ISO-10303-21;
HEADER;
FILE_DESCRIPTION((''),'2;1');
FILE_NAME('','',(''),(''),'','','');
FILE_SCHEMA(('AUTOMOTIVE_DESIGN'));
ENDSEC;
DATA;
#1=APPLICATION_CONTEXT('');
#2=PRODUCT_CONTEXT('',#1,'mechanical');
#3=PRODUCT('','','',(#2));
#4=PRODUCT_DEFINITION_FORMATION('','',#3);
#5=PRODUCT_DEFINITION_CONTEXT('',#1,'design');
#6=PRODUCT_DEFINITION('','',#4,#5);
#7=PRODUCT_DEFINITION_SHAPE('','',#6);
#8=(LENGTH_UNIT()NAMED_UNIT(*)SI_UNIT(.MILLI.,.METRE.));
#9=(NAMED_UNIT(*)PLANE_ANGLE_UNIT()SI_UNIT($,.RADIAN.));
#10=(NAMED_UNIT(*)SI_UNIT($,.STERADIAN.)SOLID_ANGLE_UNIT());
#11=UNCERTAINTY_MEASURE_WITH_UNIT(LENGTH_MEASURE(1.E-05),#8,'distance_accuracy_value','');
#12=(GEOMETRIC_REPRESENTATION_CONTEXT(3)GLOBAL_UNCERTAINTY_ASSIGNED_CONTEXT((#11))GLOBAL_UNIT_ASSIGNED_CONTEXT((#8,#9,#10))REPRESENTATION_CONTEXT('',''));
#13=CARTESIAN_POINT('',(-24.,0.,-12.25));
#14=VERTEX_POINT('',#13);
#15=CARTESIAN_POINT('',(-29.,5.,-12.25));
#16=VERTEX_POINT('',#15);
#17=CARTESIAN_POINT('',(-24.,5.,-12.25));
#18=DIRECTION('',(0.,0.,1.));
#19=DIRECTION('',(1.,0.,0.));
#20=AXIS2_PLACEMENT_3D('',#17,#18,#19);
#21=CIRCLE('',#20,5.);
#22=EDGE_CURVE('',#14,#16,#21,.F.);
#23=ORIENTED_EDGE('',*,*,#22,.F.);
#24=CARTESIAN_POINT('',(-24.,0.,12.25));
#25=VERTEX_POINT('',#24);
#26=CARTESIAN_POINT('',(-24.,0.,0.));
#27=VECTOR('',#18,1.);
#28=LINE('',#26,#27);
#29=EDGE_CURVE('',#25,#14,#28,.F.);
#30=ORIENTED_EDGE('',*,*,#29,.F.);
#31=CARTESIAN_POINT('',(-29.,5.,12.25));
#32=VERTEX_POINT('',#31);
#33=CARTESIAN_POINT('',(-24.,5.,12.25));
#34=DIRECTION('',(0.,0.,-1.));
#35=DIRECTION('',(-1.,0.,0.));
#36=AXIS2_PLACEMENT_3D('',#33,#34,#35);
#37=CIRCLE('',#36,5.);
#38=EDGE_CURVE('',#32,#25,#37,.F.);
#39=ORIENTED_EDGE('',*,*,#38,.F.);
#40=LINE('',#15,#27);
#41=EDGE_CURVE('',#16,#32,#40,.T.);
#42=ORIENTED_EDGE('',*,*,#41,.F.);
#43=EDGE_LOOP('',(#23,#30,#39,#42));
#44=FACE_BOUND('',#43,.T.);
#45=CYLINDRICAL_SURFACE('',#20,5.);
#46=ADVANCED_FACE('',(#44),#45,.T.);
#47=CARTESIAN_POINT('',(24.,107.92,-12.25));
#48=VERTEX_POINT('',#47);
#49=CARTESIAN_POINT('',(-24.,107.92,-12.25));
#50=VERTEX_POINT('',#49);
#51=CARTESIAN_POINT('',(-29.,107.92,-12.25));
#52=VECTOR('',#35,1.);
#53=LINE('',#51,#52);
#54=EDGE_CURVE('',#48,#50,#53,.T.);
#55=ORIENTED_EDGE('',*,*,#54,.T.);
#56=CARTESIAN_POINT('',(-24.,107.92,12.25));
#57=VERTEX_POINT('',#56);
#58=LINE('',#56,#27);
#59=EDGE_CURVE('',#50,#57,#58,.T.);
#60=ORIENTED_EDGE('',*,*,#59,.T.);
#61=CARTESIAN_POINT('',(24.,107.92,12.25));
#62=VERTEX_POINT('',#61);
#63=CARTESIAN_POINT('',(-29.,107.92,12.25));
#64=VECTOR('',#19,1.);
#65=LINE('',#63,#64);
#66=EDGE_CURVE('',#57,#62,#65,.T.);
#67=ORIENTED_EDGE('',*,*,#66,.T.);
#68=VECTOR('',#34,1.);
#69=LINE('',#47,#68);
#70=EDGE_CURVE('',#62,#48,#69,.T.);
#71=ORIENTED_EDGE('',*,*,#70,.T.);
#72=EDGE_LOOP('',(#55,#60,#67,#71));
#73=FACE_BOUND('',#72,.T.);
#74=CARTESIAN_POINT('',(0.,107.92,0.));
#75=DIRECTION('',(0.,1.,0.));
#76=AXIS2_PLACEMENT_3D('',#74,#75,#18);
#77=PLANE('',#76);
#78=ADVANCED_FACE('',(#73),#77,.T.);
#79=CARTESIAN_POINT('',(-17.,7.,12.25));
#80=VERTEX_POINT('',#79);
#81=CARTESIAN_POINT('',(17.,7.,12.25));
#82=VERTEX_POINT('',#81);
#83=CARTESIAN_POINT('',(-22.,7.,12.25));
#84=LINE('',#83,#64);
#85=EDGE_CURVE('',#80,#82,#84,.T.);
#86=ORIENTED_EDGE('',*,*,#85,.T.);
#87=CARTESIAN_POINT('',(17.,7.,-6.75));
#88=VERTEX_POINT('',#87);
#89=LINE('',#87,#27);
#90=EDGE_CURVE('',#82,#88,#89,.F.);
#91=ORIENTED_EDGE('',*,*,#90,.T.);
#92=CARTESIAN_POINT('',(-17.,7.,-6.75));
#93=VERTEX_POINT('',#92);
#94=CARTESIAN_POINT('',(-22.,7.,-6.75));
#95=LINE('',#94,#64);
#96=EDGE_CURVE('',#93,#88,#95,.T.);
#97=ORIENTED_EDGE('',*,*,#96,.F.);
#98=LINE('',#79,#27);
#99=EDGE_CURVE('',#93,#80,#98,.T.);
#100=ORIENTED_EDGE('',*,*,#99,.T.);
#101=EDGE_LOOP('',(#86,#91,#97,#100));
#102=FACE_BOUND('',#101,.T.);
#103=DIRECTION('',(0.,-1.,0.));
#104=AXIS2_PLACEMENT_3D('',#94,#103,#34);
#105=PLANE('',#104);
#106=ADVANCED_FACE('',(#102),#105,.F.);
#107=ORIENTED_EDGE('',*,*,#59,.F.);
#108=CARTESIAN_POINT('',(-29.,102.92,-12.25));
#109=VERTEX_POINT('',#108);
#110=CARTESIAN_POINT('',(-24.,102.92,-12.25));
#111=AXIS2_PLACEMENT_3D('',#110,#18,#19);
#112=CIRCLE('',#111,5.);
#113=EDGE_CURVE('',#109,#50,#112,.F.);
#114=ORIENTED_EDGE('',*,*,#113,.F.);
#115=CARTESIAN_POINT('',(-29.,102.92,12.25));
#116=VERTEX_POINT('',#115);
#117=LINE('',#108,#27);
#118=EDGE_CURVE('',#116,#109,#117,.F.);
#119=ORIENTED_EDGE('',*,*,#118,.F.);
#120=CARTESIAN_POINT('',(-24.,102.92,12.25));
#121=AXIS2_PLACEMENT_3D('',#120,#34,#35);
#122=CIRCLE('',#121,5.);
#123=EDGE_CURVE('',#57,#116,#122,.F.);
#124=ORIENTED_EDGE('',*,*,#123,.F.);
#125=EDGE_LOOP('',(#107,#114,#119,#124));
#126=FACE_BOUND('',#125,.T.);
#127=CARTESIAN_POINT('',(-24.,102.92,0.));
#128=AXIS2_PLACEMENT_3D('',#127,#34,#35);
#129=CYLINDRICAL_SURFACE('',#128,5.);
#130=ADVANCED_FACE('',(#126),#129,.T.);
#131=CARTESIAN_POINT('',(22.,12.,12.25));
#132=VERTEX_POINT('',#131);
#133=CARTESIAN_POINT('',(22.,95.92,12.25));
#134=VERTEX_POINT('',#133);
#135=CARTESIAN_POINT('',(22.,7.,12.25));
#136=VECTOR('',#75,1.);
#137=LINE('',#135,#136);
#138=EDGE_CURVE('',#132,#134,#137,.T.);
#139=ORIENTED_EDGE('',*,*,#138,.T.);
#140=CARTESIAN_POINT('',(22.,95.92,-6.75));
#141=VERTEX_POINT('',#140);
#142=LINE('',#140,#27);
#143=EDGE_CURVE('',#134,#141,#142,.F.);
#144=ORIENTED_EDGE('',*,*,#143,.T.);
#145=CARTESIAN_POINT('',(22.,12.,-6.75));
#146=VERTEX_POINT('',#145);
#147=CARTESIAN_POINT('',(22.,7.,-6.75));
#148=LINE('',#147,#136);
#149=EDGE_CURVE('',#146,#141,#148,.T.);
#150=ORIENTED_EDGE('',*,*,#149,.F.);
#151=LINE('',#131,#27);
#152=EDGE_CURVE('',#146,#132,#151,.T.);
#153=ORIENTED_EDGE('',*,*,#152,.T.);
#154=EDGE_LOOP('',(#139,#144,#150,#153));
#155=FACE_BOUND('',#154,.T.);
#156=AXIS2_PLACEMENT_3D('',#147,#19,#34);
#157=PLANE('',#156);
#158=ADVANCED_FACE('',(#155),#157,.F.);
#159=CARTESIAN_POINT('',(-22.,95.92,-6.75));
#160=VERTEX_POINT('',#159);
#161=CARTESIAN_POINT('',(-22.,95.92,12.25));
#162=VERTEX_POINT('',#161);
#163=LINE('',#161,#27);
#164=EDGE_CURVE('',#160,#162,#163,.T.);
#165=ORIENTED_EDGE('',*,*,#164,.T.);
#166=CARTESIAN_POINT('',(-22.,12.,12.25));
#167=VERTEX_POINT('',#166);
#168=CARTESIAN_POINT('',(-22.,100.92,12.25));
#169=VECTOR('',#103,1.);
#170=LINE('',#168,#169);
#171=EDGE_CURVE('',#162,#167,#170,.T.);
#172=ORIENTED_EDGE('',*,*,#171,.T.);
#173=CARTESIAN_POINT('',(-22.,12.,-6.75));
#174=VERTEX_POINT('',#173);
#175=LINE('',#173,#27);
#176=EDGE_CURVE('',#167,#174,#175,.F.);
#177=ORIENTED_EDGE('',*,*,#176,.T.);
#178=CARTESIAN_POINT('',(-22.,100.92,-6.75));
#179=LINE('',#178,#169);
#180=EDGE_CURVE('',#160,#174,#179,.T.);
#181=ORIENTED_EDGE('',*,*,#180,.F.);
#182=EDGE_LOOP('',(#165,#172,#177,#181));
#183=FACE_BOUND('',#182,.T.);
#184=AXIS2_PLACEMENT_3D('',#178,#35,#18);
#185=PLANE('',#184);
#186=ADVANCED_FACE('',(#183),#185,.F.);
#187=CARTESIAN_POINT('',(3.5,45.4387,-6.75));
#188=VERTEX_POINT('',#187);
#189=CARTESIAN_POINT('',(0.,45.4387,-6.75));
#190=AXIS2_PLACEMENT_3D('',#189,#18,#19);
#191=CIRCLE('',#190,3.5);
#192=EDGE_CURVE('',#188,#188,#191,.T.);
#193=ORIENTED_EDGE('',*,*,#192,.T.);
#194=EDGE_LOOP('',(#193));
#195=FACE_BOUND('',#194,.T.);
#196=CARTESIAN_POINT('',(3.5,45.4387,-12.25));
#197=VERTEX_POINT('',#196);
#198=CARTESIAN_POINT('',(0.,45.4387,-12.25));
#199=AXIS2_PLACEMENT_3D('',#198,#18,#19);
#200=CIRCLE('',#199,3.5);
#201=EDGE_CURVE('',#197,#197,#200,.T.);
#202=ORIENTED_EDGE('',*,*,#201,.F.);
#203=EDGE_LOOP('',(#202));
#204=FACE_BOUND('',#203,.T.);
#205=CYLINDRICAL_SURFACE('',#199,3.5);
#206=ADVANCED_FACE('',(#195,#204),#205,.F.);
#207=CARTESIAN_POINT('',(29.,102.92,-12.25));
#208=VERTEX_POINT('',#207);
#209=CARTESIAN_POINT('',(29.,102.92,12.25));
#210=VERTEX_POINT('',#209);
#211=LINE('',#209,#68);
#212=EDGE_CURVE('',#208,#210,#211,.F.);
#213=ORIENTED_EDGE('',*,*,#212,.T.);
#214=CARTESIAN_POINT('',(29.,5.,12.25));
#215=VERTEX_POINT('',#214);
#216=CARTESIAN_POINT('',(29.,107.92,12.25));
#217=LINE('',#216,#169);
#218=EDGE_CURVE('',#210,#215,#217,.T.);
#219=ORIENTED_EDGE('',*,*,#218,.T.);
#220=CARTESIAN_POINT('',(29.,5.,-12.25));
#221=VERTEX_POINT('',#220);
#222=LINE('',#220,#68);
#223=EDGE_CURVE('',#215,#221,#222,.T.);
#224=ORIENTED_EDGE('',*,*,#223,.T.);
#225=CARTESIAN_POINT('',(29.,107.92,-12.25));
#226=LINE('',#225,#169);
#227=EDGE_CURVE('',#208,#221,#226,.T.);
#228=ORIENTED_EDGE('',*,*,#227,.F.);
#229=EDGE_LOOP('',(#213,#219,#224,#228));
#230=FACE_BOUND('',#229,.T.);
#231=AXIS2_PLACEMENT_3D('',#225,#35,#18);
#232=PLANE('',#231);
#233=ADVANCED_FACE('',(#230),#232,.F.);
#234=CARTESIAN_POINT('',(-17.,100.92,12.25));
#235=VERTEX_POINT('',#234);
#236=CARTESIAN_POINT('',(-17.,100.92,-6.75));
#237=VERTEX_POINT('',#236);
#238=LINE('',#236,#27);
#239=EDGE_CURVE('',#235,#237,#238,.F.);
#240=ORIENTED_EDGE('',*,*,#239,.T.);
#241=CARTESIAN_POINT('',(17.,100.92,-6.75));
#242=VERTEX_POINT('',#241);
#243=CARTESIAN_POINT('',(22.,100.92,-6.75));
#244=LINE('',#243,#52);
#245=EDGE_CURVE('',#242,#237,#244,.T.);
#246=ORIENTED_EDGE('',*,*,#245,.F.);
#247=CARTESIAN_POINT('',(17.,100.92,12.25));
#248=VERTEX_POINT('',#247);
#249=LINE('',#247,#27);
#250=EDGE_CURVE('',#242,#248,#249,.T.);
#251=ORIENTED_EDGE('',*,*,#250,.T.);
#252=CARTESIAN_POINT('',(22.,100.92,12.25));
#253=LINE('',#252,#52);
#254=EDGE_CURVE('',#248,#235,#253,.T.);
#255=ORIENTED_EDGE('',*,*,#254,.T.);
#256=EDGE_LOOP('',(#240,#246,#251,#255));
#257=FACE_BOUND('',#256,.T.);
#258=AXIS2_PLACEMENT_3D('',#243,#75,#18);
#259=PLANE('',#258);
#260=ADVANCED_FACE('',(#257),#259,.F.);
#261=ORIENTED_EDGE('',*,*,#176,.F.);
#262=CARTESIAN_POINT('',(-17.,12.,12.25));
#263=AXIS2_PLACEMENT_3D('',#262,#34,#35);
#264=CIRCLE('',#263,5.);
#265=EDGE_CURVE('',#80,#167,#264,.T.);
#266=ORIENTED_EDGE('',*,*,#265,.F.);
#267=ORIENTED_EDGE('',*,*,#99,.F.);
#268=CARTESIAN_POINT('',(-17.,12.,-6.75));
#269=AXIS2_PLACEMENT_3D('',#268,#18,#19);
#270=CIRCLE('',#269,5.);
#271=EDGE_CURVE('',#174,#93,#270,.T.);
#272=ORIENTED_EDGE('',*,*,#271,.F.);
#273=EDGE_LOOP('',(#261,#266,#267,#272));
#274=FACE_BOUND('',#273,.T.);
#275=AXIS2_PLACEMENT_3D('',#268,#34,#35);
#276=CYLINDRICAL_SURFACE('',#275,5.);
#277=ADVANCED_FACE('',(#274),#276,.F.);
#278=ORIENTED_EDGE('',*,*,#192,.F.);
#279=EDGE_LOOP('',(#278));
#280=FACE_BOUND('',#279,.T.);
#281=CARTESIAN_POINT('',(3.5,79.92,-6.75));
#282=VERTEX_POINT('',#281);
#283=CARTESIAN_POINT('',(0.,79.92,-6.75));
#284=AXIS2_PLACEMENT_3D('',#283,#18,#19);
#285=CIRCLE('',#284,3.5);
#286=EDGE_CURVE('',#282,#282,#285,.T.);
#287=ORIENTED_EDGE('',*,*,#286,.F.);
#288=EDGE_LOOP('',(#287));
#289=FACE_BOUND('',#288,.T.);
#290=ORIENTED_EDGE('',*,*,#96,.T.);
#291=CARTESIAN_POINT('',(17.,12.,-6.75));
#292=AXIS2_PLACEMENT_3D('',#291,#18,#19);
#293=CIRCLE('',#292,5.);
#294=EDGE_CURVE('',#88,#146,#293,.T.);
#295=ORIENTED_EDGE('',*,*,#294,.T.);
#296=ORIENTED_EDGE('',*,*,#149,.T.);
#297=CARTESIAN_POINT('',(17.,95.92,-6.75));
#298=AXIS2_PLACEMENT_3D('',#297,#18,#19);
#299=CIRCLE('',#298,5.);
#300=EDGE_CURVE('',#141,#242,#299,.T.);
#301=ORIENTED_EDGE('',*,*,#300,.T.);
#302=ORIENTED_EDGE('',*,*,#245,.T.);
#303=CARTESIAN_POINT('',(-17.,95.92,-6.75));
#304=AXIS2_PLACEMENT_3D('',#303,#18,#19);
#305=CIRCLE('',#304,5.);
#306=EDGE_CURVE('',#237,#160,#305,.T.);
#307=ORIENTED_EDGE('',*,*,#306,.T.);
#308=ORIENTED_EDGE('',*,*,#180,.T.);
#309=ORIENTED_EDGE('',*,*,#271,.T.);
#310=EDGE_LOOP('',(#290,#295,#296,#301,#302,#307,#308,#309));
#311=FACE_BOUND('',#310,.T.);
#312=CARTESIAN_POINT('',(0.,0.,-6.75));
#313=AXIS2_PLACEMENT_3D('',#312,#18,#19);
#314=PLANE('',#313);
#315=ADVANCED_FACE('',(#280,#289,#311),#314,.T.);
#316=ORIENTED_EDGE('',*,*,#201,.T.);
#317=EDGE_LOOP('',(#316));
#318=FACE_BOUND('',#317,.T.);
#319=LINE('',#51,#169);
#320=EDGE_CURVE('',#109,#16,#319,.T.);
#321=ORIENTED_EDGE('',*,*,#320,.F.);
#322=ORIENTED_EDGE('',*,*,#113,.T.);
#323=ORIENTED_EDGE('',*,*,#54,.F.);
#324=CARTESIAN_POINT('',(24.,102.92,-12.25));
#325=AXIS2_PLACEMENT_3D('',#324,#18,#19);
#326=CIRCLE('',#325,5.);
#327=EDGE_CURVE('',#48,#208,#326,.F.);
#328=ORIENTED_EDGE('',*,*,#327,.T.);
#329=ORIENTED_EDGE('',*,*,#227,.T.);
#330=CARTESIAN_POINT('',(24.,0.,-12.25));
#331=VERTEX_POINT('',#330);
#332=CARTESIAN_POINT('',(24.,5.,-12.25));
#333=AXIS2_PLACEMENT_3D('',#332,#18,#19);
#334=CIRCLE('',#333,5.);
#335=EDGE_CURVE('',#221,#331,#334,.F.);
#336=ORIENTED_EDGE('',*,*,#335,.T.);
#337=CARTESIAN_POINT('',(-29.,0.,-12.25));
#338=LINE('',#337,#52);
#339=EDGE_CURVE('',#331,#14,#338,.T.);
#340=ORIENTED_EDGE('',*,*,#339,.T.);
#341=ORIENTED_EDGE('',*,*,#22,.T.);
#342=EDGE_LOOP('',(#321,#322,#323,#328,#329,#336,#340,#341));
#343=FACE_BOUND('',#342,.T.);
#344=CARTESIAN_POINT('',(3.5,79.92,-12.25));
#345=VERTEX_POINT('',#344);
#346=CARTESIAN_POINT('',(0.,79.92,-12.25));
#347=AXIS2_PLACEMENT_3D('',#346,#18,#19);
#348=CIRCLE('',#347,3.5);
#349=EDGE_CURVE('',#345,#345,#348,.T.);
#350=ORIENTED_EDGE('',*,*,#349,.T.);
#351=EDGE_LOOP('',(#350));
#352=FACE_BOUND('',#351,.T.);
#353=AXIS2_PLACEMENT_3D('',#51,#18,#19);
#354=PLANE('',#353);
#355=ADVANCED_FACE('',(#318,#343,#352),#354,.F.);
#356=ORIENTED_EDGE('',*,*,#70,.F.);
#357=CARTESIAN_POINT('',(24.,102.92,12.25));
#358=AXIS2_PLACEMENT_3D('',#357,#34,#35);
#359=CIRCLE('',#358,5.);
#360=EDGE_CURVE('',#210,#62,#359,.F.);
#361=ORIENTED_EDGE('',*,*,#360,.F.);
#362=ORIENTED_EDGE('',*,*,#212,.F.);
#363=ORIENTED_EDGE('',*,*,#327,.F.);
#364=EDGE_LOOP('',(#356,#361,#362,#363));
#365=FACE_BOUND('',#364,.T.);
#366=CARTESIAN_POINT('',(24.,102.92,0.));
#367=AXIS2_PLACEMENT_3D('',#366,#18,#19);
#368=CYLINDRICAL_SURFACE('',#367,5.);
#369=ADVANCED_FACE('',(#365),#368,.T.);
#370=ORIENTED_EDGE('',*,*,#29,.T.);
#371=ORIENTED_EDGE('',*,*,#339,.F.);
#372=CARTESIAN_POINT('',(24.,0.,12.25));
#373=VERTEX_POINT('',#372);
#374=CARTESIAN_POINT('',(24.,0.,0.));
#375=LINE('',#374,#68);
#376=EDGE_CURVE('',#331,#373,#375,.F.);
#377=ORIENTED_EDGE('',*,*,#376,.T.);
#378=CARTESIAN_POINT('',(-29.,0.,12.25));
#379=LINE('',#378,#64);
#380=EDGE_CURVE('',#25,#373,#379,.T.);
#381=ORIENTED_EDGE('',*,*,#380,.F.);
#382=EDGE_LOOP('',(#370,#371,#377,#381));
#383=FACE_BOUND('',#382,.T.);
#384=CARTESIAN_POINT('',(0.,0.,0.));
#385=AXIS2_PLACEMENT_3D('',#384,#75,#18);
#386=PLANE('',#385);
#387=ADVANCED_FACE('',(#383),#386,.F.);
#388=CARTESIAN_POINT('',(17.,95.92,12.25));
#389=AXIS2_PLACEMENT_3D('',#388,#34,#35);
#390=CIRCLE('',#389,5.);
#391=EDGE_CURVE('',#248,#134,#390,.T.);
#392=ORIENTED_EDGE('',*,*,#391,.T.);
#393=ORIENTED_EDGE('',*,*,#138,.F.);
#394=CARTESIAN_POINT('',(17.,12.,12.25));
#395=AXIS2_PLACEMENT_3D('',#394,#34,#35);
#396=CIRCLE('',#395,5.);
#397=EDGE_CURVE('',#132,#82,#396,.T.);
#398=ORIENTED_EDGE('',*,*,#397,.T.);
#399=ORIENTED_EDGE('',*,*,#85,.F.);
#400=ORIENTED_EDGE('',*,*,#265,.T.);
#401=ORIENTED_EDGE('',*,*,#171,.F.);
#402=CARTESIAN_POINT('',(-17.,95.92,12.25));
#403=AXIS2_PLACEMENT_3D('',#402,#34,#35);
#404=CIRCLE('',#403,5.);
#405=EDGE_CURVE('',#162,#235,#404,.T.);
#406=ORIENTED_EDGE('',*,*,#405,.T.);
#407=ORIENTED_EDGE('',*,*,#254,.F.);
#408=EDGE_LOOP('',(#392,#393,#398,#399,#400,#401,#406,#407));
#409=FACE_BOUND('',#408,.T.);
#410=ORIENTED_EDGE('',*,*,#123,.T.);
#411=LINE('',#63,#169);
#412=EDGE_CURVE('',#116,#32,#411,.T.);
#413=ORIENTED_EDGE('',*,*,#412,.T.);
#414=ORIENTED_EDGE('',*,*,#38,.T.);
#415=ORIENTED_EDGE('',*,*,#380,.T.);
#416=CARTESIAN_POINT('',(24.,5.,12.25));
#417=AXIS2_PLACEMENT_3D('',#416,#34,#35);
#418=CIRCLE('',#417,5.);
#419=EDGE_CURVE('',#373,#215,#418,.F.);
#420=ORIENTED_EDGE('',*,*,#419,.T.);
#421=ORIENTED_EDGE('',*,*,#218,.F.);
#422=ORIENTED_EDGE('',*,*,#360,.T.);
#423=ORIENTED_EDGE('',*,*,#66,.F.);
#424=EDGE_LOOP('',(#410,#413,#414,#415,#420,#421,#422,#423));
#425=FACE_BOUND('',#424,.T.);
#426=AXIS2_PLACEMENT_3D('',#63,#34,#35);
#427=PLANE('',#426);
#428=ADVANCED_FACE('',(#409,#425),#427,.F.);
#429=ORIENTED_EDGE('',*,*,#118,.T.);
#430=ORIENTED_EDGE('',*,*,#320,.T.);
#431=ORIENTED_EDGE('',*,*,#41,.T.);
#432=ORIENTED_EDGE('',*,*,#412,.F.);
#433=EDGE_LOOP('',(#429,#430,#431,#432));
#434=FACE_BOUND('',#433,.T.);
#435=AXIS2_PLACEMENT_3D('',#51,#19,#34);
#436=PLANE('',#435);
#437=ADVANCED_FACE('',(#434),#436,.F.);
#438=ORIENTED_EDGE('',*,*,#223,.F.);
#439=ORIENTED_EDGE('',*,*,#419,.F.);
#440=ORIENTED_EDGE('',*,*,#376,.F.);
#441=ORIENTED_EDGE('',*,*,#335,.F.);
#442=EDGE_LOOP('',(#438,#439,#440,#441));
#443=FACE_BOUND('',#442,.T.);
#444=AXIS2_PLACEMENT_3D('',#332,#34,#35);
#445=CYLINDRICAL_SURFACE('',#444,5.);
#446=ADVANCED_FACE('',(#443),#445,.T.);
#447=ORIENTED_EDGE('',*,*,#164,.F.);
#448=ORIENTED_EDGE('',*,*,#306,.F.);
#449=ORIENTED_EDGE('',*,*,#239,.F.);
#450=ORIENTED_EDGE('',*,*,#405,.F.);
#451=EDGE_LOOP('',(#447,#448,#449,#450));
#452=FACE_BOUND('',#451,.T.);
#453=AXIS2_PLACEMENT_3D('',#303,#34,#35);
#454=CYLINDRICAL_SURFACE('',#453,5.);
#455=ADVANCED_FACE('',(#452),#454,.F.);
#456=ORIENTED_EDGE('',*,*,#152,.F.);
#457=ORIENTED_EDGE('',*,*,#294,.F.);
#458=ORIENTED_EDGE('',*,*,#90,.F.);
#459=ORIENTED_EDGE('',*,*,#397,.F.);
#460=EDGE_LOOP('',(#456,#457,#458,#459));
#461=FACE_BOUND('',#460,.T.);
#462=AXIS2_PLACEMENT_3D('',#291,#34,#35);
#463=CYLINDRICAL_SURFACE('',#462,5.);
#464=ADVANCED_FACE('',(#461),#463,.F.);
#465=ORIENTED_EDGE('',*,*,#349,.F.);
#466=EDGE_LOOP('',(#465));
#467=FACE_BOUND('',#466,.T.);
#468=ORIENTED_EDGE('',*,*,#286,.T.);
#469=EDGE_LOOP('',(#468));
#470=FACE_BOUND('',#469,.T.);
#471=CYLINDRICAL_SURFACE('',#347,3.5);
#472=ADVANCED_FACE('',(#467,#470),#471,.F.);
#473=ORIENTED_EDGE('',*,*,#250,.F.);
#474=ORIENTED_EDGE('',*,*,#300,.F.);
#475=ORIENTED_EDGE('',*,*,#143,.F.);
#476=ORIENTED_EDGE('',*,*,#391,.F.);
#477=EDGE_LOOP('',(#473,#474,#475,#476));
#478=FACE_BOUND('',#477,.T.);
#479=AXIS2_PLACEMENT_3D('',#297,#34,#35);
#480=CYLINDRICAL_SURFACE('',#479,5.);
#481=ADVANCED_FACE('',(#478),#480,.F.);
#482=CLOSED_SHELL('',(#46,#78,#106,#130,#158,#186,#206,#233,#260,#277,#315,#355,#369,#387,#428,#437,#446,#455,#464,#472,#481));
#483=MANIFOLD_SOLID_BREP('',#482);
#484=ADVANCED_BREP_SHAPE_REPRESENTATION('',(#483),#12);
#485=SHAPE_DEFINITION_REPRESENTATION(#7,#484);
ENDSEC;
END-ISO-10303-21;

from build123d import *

# Parameters (mm, degrees)
ESBO_O1_W                  = 58
ESBO_O1_H                  = 24.5
RESSALTO_EXTRUS_O1_DEPTH   = 107.92
FILETE1_R                  = 5
ESBO_O2_W                  = 44
ESBO_O2_H                  = 93.92
CORTE_EXTRUS_O1_DEPTH      = 19
FILETE2_R                  = 5
ESBO_O3_R                  = 3.5
CORTE_EXTRUS_O2_DEPTH      = 20
CORTE_EXTRUS_O2_DEPTH_BACK = 6.5


with BuildPart() as part:
    # Esboço1 → Ressalto-extrusão1 (new body)
    with BuildSketch(Plane(origin=(0, 0, 0), x_dir=(1, 0, 0), z_dir=(0, 1, 0))):
        Rectangle(ESBO_O1_W, ESBO_O1_H)
    extrude(amount=RESSALTO_EXTRUS_O1_DEPTH)

    # Filete1
    filete1_edges = [part.edges().sort_by_distance(p)[0] for p in [
        (29, 107.92, 0),
        (-29, 107.92, 0),
        (29, 0, 0),
        (-29, 0, 0),
    ]]
    fillet(filete1_edges, radius=FILETE1_R)

    # Esboço2 → Corte-extrusão1 (cut)
    with BuildSketch(Plane.XY.offset(12.25)):
        with Locations((0, 53.96)):
            Rectangle(ESBO_O2_W, ESBO_O2_H)
    extrude(amount=-CORTE_EXTRUS_O1_DEPTH, mode=Mode.SUBTRACT)

    # Filete2
    filete2_edges = [part.edges().sort_by_distance(p)[0] for p in [
        (-22, 7, 2.75),
        (-22, 100.92, 2.75),
        (22, 100.92, 2.75),
        (22, 7, 2.75),
    ]]
    fillet(filete2_edges, radius=FILETE2_R)

    # Esboço3 → Corte-extrusão2 (cut, two sides)
    with BuildSketch(Plane.XY.offset(-6.75)) as corte_extrus_o2_sk:
        with Locations((0, 79.92)):
            Circle(ESBO_O3_R)
        with Locations((0, 45.4387)):
            Circle(ESBO_O3_R)
    extrude(amount=CORTE_EXTRUS_O2_DEPTH, mode=Mode.SUBTRACT)
    extrude(corte_extrus_o2_sk.sketch, amount=-CORTE_EXTRUS_O2_DEPTH_BACK, mode=Mode.SUBTRACT)


solid = part.part
